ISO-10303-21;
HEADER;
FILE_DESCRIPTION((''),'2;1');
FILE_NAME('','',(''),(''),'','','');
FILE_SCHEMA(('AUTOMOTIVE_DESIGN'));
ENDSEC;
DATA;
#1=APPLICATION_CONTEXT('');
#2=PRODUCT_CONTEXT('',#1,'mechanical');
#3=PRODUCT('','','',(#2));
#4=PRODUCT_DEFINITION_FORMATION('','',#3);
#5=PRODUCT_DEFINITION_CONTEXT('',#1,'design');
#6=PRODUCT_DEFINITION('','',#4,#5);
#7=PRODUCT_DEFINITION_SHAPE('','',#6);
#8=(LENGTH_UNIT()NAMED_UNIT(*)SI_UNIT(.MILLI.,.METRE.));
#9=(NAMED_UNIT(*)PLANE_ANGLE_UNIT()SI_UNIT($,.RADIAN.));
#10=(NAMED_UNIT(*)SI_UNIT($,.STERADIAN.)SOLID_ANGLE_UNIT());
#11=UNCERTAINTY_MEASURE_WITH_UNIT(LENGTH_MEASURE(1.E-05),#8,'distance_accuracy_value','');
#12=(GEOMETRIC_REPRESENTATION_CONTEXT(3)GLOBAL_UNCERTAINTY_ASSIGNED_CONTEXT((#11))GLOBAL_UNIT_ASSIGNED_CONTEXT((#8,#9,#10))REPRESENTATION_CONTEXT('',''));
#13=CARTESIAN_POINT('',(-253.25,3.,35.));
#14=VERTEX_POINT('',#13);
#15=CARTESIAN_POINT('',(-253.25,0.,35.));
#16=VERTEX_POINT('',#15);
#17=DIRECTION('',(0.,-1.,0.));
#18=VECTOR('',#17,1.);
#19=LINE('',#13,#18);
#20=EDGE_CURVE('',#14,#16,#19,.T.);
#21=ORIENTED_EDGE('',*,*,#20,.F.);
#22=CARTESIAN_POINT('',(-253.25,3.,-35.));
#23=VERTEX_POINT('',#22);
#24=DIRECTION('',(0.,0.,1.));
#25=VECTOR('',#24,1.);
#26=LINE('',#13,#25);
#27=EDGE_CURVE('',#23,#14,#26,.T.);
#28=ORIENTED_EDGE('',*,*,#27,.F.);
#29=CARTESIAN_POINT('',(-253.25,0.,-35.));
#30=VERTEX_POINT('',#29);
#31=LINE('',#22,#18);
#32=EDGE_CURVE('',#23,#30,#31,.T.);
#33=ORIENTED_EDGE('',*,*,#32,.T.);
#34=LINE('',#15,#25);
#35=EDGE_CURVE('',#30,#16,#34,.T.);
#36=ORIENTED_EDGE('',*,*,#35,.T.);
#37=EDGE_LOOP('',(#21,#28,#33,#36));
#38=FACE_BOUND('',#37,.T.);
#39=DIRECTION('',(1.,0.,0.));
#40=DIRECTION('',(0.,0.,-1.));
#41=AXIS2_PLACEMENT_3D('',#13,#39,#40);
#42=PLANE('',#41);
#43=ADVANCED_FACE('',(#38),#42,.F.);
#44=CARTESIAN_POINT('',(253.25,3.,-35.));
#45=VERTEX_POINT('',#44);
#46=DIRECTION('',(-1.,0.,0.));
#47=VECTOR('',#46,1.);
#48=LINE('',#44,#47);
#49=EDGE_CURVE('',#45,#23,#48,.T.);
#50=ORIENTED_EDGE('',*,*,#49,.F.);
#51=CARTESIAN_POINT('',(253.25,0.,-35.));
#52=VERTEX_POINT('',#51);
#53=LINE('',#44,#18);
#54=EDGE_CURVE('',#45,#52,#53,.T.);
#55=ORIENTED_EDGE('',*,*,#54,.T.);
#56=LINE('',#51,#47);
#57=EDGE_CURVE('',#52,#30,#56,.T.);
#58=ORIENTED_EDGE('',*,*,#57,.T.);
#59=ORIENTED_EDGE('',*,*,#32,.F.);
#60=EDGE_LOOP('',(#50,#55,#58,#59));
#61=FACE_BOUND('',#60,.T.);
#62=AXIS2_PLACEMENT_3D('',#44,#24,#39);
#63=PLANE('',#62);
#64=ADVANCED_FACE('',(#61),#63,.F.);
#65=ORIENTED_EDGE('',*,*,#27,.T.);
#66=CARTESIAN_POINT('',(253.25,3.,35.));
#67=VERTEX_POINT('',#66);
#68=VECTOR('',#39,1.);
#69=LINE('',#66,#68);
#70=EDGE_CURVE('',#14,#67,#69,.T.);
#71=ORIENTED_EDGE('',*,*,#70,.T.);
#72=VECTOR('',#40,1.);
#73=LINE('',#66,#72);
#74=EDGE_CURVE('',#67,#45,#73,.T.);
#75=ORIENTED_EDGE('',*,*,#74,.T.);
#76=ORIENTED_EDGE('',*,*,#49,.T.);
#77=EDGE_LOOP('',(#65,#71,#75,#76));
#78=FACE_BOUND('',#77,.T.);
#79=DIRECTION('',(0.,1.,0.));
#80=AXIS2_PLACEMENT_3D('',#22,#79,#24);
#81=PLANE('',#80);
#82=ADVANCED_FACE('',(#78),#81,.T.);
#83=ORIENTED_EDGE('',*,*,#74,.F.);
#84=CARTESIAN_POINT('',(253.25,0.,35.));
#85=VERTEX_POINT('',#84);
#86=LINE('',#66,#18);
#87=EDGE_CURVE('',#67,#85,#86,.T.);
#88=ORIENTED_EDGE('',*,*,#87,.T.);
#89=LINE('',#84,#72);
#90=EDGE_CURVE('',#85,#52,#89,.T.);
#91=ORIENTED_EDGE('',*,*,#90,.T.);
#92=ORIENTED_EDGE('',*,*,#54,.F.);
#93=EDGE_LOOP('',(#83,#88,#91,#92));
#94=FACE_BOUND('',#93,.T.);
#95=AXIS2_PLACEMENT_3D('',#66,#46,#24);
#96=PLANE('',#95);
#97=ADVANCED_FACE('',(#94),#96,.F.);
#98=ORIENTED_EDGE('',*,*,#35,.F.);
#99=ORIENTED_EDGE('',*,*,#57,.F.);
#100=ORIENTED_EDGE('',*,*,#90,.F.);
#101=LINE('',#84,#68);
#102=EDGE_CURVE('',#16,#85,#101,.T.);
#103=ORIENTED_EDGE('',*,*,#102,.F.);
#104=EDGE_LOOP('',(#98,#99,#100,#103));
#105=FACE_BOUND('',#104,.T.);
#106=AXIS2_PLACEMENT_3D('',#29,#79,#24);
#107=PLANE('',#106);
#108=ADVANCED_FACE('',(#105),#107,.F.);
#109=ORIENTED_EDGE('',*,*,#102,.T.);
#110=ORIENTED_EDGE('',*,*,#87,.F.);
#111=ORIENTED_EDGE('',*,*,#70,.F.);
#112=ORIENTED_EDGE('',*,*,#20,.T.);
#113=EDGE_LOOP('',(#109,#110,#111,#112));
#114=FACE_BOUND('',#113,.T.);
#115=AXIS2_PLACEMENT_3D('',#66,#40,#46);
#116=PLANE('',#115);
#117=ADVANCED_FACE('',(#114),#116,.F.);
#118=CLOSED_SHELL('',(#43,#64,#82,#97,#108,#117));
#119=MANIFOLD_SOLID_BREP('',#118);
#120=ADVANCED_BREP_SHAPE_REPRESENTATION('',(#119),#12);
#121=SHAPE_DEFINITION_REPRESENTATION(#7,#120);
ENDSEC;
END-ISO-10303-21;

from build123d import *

# Parameters (mm, degrees)
CROQUIS1_W     = 506.5
CROQUIS1_H     = 70
EXTRUIR1_DEPTH = 3


with BuildPart() as part:
    # Croquis1 → Extruir1 (new body)
    with BuildSketch(Plane(origin=(0, 0, 0), x_dir=(1, 0, 0), z_dir=(0, 1, 0))):
        Rectangle(CROQUIS1_W, CROQUIS1_H)
    extrude(amount=EXTRUIR1_DEPTH)


solid = part.part
